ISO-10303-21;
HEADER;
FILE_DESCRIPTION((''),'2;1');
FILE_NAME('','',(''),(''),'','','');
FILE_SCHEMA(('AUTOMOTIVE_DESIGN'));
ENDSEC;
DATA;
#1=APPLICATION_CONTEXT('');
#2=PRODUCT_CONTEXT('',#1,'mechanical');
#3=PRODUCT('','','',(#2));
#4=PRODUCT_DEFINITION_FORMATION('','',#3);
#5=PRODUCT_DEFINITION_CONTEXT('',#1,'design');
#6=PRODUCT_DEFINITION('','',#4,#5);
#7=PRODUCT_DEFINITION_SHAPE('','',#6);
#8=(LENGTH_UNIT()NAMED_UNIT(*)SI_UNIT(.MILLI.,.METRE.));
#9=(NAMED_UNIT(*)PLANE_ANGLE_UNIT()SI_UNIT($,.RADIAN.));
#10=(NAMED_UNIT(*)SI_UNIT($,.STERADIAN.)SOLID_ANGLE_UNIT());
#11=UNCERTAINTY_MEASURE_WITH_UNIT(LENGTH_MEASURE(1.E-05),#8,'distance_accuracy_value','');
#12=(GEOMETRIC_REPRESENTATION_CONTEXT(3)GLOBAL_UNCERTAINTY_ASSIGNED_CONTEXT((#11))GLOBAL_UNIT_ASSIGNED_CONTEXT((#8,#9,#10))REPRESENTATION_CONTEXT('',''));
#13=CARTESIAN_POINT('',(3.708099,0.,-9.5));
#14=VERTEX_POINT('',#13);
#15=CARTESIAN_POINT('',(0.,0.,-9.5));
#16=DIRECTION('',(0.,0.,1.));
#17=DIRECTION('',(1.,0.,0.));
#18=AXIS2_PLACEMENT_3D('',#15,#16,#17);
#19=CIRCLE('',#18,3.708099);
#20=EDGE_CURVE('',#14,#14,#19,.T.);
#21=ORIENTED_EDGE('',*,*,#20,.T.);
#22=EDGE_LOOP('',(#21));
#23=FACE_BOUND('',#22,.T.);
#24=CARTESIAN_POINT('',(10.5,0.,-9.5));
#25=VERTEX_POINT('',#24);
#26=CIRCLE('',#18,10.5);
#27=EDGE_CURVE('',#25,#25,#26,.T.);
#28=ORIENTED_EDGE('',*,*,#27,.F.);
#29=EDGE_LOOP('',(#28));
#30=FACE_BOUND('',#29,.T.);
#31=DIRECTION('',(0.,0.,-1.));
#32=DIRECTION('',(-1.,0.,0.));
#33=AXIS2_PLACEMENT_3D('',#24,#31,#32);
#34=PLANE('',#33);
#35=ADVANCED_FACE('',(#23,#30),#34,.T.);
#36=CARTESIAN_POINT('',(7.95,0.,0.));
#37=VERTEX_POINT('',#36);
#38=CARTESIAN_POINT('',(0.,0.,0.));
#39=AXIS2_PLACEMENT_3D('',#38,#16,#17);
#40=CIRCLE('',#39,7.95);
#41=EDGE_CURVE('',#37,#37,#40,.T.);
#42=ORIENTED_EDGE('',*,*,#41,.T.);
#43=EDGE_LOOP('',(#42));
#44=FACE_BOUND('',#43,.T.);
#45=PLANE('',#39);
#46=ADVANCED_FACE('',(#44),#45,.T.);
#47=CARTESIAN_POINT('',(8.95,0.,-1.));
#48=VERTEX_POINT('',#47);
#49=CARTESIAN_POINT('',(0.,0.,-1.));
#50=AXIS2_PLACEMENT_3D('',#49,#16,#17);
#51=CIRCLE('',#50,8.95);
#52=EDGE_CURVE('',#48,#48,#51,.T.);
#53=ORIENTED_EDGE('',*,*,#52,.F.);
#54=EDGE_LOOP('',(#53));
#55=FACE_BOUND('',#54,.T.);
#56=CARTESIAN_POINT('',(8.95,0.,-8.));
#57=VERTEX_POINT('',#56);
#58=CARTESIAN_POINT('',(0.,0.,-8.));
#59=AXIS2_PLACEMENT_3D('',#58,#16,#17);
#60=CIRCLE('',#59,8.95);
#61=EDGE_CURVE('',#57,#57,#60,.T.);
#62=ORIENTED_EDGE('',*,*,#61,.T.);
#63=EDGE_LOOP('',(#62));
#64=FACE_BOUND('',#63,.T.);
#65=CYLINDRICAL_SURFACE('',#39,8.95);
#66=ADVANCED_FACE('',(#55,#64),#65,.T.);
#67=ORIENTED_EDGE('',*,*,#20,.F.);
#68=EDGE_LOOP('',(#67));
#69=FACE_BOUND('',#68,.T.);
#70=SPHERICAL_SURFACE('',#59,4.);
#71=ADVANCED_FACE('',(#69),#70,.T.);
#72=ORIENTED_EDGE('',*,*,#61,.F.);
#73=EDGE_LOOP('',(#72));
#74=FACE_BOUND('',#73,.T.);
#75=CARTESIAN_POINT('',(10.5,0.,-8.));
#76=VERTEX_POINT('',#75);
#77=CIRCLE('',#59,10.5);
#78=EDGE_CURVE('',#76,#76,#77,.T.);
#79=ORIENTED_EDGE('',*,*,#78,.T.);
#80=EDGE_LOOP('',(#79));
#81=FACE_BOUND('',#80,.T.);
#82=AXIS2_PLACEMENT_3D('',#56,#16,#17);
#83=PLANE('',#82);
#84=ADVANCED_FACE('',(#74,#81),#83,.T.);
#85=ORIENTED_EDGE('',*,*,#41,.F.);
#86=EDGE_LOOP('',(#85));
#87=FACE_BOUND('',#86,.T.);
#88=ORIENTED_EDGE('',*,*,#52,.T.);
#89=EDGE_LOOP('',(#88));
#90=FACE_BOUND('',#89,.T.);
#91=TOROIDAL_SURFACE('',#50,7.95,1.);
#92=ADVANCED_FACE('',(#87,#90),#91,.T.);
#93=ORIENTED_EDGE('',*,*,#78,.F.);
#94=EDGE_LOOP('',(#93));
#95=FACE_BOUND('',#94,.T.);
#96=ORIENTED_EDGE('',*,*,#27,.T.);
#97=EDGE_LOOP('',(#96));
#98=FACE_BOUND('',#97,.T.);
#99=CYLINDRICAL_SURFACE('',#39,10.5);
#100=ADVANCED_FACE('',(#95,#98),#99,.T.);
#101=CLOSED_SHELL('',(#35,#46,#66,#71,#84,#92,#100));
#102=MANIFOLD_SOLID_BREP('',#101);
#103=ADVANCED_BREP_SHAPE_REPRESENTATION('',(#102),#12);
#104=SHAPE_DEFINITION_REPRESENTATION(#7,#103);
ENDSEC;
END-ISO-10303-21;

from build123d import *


with BuildPart() as part:
    # Sketch1 → Revolve1 (revolve)
    with BuildSketch(Plane(origin=(0, 0, 0), x_dir=(1, 0, 0), z_dir=(0, 1, 0))):
        with BuildLine():
            Line((0, 0), (7.95, 0))
            ThreePointArc((7.95, 0), (8.657106781, 0.292893219), (8.95, 1))
            Line((8.95, 1), (8.95, 8))
            Line((8.95, 8), (10.5, 8))
            Line((10.5, 8), (10.5, 9.5))
            Line((10.5, 9.5), (3.708099244, 9.5))
            ThreePointArc((3.708099244, 9.5), (2.236067977, 11.31662479), (0, 12))
            Line((0, 12), (0, 0))
        make_face()
    revolve(axis=Axis((0, 0, 0), (0, 0, -1)))


solid = part.part
